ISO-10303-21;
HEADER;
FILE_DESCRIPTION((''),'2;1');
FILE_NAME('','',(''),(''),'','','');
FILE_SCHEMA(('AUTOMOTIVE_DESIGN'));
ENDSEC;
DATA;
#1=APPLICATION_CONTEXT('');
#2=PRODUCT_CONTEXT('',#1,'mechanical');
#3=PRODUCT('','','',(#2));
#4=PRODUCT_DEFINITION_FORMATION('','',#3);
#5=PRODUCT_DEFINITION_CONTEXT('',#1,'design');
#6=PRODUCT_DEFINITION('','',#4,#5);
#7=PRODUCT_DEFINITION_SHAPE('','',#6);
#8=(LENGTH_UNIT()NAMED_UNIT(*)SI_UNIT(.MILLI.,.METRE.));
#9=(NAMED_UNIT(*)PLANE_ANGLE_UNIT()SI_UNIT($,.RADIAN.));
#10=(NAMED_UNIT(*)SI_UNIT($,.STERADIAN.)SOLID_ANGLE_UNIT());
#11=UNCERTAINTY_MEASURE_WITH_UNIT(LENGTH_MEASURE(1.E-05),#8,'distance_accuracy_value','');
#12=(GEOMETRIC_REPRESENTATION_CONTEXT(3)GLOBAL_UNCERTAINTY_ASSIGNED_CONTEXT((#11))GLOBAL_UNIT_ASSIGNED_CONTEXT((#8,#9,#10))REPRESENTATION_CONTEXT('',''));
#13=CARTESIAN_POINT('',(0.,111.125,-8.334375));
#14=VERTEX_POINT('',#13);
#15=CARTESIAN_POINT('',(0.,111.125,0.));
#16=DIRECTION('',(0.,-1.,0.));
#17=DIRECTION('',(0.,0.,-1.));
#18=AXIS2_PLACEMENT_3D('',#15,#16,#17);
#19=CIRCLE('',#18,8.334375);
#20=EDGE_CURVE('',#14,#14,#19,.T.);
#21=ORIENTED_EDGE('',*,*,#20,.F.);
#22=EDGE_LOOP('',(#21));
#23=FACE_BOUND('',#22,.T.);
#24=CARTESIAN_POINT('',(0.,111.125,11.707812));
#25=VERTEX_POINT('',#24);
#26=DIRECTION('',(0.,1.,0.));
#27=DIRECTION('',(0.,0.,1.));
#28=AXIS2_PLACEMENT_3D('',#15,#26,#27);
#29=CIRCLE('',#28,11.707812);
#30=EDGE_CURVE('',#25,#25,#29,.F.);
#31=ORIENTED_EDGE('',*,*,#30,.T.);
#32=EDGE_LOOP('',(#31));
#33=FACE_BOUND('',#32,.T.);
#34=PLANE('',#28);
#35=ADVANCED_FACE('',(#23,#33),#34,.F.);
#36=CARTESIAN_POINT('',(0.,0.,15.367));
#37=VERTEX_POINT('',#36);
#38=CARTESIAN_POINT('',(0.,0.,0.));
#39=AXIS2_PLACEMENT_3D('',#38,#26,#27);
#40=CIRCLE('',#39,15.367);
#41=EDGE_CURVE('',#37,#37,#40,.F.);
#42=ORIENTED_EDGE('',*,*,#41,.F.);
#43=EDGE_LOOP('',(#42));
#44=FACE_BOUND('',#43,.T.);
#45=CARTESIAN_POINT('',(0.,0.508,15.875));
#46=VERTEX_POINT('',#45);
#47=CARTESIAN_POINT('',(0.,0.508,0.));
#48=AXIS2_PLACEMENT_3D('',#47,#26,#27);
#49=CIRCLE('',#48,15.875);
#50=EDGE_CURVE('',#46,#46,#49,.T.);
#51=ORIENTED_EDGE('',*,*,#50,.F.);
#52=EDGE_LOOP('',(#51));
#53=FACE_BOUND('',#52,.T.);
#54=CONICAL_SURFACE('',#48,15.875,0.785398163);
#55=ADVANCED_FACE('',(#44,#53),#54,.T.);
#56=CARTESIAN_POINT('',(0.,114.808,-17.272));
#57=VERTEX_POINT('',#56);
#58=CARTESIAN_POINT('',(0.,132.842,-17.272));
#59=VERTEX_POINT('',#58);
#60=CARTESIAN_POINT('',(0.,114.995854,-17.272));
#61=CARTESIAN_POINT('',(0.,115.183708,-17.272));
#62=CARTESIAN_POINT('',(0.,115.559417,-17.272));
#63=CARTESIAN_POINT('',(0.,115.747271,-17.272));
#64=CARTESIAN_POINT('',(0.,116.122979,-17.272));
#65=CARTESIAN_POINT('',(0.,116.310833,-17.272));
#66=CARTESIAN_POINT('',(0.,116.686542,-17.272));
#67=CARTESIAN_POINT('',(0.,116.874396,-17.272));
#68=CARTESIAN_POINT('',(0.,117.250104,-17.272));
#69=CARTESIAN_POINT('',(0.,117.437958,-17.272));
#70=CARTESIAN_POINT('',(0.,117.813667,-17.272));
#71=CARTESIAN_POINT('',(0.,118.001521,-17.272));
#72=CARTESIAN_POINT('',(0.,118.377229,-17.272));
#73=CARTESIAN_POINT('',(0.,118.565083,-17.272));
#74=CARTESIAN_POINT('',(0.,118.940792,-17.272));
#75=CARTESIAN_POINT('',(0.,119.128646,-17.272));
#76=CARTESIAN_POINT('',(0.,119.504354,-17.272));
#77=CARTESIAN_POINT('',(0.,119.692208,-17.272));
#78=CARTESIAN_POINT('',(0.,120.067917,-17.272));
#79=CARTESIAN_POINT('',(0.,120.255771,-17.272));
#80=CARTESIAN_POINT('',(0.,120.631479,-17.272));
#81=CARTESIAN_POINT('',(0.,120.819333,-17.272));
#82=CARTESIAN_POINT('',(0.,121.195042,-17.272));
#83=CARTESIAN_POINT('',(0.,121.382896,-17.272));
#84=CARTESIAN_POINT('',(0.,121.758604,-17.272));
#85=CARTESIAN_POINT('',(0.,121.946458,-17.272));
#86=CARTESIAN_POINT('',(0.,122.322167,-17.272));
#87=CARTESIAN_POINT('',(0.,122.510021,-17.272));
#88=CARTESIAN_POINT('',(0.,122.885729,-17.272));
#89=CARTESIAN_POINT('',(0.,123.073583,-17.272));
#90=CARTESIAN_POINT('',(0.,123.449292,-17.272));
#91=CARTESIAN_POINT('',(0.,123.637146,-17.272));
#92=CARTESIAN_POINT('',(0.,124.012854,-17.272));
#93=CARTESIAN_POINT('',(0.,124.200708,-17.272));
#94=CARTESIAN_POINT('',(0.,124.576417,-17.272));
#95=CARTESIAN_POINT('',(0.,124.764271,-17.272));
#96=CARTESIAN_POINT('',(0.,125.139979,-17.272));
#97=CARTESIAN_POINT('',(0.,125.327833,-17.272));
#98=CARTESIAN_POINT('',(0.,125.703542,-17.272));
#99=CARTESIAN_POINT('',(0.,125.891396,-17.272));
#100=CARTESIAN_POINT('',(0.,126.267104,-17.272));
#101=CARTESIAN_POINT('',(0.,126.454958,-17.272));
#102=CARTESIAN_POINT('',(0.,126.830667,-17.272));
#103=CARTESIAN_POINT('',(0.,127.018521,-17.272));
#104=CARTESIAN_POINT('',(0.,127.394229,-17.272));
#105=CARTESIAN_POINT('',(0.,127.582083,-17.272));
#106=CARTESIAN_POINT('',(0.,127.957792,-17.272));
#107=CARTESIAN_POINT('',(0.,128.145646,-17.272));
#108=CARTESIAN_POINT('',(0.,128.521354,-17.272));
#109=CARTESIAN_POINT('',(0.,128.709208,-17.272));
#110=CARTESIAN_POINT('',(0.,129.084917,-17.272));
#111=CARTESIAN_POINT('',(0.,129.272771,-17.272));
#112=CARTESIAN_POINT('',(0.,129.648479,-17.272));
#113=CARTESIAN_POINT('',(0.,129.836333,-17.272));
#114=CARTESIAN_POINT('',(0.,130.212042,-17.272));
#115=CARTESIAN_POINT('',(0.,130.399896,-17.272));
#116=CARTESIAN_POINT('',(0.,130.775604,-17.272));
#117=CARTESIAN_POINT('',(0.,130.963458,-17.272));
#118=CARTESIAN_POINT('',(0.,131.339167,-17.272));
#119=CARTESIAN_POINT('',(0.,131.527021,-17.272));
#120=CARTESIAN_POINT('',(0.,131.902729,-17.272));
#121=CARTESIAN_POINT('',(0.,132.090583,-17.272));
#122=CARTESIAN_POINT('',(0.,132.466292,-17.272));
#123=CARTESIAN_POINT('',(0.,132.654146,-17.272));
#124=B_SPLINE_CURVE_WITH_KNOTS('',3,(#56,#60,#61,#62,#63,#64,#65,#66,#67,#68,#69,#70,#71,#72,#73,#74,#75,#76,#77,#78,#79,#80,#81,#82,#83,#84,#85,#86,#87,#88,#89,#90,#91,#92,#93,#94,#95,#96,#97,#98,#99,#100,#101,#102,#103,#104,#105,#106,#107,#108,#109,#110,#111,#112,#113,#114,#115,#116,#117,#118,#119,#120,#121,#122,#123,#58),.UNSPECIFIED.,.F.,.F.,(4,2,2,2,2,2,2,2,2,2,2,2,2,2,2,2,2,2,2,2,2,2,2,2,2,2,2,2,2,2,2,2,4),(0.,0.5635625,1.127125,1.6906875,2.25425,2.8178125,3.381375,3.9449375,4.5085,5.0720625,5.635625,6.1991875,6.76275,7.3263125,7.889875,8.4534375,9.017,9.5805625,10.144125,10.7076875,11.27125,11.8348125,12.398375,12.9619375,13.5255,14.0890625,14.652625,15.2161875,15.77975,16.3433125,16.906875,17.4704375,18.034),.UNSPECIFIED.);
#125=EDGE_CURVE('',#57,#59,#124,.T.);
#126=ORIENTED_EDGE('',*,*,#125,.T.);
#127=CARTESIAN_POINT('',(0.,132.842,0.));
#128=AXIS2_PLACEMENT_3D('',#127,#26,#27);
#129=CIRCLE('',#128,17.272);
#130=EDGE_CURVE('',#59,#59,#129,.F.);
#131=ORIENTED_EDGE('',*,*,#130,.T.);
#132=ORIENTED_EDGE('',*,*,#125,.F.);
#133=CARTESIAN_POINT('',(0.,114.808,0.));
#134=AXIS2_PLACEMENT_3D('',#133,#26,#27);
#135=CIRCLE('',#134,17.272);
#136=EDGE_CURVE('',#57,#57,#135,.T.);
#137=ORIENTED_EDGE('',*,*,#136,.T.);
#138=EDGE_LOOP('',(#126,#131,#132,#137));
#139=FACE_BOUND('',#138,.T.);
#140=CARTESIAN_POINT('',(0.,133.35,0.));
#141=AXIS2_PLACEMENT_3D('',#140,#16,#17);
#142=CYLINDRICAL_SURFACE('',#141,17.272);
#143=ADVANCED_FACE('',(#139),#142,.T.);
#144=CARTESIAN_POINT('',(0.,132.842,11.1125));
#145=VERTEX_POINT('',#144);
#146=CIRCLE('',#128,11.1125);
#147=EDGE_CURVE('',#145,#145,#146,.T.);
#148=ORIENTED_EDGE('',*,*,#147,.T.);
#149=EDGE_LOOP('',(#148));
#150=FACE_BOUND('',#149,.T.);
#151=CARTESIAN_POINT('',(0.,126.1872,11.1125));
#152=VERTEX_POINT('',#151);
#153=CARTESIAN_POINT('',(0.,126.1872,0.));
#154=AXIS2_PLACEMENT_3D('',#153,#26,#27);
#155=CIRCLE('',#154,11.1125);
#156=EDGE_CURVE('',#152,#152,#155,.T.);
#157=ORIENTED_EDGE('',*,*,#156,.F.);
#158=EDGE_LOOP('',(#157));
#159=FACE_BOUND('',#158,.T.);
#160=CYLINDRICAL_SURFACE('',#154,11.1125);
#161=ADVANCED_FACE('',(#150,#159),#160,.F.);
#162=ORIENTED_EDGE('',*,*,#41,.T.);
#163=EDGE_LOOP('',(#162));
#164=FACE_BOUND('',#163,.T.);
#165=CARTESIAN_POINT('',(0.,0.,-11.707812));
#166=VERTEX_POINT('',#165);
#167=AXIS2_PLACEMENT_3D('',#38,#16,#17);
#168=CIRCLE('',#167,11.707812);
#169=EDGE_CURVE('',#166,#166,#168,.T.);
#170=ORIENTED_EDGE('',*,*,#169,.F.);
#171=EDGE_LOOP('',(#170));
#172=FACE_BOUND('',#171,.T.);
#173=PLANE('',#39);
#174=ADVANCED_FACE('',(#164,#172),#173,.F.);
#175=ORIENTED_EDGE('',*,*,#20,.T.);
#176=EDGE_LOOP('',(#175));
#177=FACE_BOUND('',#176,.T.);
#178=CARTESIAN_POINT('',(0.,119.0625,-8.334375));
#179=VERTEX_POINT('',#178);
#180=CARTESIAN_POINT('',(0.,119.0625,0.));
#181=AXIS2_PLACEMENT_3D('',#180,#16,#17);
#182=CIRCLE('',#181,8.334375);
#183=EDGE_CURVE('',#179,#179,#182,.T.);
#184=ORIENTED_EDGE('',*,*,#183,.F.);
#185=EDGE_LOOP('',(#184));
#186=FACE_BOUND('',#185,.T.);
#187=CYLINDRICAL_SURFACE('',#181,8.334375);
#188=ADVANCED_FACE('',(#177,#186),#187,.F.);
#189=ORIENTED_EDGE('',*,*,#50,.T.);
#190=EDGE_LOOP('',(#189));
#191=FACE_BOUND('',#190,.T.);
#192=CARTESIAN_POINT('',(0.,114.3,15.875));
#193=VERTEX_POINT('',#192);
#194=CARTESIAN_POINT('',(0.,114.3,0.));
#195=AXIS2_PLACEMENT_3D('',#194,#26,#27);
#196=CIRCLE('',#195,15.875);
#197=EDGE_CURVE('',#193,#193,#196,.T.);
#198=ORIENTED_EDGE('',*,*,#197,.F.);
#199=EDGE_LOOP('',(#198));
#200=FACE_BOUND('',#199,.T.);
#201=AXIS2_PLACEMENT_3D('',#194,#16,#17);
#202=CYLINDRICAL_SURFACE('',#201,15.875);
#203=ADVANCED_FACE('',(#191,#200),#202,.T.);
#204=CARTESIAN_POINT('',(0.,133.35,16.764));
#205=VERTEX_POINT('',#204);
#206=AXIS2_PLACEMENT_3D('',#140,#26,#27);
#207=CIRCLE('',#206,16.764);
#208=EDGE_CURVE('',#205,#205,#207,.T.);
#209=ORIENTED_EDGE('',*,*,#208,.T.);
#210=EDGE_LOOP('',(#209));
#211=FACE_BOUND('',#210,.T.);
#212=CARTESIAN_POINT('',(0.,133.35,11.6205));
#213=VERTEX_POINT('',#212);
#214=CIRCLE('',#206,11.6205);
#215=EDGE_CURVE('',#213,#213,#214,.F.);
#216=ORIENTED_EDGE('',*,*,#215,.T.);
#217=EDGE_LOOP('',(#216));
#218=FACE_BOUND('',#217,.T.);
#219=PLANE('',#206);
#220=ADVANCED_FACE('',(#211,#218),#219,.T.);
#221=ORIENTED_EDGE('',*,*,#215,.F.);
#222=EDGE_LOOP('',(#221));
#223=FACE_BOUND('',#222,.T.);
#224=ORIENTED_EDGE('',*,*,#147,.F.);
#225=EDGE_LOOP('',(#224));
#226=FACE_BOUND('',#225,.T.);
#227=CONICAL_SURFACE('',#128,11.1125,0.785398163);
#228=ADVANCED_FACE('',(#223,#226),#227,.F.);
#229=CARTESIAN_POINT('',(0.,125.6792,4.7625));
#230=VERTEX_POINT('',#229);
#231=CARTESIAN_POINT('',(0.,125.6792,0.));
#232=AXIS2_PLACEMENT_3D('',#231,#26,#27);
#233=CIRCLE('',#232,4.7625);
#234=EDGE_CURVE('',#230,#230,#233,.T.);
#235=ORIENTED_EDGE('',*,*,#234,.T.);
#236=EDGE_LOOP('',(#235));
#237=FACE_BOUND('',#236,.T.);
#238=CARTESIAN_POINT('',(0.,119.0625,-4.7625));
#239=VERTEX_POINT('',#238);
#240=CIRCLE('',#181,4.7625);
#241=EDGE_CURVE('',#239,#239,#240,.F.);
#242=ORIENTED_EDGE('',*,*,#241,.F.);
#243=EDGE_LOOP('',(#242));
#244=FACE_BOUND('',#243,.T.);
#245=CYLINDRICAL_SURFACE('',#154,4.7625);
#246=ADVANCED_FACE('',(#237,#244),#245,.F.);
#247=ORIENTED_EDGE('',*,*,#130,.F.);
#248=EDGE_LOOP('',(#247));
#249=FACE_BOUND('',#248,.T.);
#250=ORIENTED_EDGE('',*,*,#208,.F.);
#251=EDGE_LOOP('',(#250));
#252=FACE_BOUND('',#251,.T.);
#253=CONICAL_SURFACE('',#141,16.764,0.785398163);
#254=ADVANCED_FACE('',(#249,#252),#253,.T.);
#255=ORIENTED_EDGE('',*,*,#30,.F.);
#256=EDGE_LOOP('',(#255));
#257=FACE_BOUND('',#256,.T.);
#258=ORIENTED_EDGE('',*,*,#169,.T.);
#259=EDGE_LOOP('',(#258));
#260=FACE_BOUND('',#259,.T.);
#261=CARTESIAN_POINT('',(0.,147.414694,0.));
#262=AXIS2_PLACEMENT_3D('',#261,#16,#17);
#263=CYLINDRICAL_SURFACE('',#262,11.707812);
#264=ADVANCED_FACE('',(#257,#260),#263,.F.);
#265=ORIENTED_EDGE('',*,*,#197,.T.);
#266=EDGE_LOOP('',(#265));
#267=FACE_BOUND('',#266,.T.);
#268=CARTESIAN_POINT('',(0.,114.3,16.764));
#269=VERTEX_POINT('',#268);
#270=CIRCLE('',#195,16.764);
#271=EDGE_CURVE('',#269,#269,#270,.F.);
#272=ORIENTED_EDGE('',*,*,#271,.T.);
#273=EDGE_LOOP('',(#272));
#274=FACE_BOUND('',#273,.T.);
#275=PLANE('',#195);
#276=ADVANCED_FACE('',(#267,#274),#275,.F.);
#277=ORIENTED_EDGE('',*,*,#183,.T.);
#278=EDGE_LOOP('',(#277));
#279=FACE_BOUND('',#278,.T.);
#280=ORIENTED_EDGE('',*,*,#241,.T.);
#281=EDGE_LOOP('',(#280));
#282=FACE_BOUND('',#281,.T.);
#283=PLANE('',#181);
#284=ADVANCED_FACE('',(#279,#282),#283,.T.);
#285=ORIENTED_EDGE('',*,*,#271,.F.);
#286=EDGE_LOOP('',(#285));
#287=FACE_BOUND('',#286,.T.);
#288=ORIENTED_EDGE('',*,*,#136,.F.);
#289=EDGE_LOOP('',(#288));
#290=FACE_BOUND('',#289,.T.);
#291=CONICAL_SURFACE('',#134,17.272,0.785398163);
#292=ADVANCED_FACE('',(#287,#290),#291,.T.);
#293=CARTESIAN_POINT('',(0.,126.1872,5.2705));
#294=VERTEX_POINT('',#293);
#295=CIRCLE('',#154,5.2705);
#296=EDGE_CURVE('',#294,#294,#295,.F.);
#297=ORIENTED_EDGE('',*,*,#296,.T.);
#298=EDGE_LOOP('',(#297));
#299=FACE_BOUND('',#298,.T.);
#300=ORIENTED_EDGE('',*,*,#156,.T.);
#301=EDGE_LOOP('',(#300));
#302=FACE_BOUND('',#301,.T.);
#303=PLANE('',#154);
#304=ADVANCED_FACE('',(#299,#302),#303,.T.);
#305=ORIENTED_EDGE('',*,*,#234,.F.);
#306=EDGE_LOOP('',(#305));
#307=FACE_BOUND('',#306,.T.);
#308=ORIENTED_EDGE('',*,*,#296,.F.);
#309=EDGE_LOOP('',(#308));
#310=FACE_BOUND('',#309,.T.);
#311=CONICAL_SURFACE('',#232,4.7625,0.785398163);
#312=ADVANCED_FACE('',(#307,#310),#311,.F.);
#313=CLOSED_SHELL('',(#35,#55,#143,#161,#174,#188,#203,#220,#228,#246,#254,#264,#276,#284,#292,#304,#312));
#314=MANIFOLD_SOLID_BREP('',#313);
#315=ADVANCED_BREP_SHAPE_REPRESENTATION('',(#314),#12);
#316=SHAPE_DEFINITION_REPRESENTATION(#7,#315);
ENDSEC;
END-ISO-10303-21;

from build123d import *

# Parameters (mm, degrees)
SKETCH1_R                    = 15.875
BOSS_EXTRUDE1_DEPTH          = 114.3
SKETCH2_R                    = 17.272
BOSS_EXTRUDE2_DEPTH          = 19.05
SKETCH10_R                   = 11.1125
CUT_EXTRUDE1_DEPTH           = 7.1628
F_3_8_0_375_DIAMETER_HOLE1_D = 9.525
SKETCH15_R                   = 11.7078125
CUT_EXTRUDE3_DEPTH           = 111.125
SKETCH16_R                   = 8.334375
CUT_EXTRUDE4_DEPTH           = 7.9375
CHAMFER2_SIZE                = 0.508


with BuildPart() as part:
    # Sketch1 → Boss-Extrude1 (new body)
    with BuildSketch(Plane(origin=(0, 0, 0), x_dir=(1, 0, 0), z_dir=(0, 1, 0))):
        with Locations(Location((0, 0, 0), (0, 0, 270))):
            Circle(SKETCH1_R)
    extrude(amount=BOSS_EXTRUDE1_DEPTH)

    # Sketch2 → Boss-Extrude2 (add)
    with BuildSketch(Plane(origin=(0, 114.3, 0), x_dir=(1, 0, 0), z_dir=(0, 1, 0))):
        with Locations(Location((0, 0, 0), (0, 0, 90))):
            Circle(SKETCH2_R)
    extrude(amount=BOSS_EXTRUDE2_DEPTH)

    # Sketch10 → Cut-Extrude1 (cut)
    with BuildSketch(Plane(origin=(0, 133.35, 0), x_dir=(1, 0, 0), z_dir=(0, 1, 0))):
        with Locations(Location((0, 0, 0), (0, 0, 270))):
            Circle(SKETCH10_R)
    extrude(amount=-CUT_EXTRUDE1_DEPTH, mode=Mode.SUBTRACT)

    # 3/8 (0.375) Diameter Hole1 (through all)
    with Locations(Plane(origin=(0, 126.1872, 0), x_dir=(1, 0, 0), z_dir=(0, 1, 0))):
        with Locations((0, 0)):
            Hole(F_3_8_0_375_DIAMETER_HOLE1_D / 2)

    # Sketch15 → Cut-Extrude3 (cut)
    with BuildSketch(Plane.XZ):
        with Locations(Location((0, 0, 0), (0, 0, 270))):
            Circle(SKETCH15_R)
    extrude(amount=-CUT_EXTRUDE3_DEPTH, mode=Mode.SUBTRACT)

    # Sketch16 → Cut-Extrude4 (cut)
    with BuildSketch(Plane.XZ.offset(-111.125)):
        with Locations(Location((0, 0, 0), (0, 0, 270))):
            Circle(SKETCH16_R)
    extrude(amount=-CUT_EXTRUDE4_DEPTH, mode=Mode.SUBTRACT)

    # Chamfer2
    chamfer2_edges = [part.edges().sort_by_distance(p)[0] for p in [
        (0, 133.35, -11.1125),
        (4.7625, 126.1872, 0),
        (0, 0, -15.875),
        (0, 114.3, 17.272),
        (0, 133.35, 17.272),
    ]]
    chamfer(chamfer2_edges, length=CHAMFER2_SIZE)


solid = part.part
